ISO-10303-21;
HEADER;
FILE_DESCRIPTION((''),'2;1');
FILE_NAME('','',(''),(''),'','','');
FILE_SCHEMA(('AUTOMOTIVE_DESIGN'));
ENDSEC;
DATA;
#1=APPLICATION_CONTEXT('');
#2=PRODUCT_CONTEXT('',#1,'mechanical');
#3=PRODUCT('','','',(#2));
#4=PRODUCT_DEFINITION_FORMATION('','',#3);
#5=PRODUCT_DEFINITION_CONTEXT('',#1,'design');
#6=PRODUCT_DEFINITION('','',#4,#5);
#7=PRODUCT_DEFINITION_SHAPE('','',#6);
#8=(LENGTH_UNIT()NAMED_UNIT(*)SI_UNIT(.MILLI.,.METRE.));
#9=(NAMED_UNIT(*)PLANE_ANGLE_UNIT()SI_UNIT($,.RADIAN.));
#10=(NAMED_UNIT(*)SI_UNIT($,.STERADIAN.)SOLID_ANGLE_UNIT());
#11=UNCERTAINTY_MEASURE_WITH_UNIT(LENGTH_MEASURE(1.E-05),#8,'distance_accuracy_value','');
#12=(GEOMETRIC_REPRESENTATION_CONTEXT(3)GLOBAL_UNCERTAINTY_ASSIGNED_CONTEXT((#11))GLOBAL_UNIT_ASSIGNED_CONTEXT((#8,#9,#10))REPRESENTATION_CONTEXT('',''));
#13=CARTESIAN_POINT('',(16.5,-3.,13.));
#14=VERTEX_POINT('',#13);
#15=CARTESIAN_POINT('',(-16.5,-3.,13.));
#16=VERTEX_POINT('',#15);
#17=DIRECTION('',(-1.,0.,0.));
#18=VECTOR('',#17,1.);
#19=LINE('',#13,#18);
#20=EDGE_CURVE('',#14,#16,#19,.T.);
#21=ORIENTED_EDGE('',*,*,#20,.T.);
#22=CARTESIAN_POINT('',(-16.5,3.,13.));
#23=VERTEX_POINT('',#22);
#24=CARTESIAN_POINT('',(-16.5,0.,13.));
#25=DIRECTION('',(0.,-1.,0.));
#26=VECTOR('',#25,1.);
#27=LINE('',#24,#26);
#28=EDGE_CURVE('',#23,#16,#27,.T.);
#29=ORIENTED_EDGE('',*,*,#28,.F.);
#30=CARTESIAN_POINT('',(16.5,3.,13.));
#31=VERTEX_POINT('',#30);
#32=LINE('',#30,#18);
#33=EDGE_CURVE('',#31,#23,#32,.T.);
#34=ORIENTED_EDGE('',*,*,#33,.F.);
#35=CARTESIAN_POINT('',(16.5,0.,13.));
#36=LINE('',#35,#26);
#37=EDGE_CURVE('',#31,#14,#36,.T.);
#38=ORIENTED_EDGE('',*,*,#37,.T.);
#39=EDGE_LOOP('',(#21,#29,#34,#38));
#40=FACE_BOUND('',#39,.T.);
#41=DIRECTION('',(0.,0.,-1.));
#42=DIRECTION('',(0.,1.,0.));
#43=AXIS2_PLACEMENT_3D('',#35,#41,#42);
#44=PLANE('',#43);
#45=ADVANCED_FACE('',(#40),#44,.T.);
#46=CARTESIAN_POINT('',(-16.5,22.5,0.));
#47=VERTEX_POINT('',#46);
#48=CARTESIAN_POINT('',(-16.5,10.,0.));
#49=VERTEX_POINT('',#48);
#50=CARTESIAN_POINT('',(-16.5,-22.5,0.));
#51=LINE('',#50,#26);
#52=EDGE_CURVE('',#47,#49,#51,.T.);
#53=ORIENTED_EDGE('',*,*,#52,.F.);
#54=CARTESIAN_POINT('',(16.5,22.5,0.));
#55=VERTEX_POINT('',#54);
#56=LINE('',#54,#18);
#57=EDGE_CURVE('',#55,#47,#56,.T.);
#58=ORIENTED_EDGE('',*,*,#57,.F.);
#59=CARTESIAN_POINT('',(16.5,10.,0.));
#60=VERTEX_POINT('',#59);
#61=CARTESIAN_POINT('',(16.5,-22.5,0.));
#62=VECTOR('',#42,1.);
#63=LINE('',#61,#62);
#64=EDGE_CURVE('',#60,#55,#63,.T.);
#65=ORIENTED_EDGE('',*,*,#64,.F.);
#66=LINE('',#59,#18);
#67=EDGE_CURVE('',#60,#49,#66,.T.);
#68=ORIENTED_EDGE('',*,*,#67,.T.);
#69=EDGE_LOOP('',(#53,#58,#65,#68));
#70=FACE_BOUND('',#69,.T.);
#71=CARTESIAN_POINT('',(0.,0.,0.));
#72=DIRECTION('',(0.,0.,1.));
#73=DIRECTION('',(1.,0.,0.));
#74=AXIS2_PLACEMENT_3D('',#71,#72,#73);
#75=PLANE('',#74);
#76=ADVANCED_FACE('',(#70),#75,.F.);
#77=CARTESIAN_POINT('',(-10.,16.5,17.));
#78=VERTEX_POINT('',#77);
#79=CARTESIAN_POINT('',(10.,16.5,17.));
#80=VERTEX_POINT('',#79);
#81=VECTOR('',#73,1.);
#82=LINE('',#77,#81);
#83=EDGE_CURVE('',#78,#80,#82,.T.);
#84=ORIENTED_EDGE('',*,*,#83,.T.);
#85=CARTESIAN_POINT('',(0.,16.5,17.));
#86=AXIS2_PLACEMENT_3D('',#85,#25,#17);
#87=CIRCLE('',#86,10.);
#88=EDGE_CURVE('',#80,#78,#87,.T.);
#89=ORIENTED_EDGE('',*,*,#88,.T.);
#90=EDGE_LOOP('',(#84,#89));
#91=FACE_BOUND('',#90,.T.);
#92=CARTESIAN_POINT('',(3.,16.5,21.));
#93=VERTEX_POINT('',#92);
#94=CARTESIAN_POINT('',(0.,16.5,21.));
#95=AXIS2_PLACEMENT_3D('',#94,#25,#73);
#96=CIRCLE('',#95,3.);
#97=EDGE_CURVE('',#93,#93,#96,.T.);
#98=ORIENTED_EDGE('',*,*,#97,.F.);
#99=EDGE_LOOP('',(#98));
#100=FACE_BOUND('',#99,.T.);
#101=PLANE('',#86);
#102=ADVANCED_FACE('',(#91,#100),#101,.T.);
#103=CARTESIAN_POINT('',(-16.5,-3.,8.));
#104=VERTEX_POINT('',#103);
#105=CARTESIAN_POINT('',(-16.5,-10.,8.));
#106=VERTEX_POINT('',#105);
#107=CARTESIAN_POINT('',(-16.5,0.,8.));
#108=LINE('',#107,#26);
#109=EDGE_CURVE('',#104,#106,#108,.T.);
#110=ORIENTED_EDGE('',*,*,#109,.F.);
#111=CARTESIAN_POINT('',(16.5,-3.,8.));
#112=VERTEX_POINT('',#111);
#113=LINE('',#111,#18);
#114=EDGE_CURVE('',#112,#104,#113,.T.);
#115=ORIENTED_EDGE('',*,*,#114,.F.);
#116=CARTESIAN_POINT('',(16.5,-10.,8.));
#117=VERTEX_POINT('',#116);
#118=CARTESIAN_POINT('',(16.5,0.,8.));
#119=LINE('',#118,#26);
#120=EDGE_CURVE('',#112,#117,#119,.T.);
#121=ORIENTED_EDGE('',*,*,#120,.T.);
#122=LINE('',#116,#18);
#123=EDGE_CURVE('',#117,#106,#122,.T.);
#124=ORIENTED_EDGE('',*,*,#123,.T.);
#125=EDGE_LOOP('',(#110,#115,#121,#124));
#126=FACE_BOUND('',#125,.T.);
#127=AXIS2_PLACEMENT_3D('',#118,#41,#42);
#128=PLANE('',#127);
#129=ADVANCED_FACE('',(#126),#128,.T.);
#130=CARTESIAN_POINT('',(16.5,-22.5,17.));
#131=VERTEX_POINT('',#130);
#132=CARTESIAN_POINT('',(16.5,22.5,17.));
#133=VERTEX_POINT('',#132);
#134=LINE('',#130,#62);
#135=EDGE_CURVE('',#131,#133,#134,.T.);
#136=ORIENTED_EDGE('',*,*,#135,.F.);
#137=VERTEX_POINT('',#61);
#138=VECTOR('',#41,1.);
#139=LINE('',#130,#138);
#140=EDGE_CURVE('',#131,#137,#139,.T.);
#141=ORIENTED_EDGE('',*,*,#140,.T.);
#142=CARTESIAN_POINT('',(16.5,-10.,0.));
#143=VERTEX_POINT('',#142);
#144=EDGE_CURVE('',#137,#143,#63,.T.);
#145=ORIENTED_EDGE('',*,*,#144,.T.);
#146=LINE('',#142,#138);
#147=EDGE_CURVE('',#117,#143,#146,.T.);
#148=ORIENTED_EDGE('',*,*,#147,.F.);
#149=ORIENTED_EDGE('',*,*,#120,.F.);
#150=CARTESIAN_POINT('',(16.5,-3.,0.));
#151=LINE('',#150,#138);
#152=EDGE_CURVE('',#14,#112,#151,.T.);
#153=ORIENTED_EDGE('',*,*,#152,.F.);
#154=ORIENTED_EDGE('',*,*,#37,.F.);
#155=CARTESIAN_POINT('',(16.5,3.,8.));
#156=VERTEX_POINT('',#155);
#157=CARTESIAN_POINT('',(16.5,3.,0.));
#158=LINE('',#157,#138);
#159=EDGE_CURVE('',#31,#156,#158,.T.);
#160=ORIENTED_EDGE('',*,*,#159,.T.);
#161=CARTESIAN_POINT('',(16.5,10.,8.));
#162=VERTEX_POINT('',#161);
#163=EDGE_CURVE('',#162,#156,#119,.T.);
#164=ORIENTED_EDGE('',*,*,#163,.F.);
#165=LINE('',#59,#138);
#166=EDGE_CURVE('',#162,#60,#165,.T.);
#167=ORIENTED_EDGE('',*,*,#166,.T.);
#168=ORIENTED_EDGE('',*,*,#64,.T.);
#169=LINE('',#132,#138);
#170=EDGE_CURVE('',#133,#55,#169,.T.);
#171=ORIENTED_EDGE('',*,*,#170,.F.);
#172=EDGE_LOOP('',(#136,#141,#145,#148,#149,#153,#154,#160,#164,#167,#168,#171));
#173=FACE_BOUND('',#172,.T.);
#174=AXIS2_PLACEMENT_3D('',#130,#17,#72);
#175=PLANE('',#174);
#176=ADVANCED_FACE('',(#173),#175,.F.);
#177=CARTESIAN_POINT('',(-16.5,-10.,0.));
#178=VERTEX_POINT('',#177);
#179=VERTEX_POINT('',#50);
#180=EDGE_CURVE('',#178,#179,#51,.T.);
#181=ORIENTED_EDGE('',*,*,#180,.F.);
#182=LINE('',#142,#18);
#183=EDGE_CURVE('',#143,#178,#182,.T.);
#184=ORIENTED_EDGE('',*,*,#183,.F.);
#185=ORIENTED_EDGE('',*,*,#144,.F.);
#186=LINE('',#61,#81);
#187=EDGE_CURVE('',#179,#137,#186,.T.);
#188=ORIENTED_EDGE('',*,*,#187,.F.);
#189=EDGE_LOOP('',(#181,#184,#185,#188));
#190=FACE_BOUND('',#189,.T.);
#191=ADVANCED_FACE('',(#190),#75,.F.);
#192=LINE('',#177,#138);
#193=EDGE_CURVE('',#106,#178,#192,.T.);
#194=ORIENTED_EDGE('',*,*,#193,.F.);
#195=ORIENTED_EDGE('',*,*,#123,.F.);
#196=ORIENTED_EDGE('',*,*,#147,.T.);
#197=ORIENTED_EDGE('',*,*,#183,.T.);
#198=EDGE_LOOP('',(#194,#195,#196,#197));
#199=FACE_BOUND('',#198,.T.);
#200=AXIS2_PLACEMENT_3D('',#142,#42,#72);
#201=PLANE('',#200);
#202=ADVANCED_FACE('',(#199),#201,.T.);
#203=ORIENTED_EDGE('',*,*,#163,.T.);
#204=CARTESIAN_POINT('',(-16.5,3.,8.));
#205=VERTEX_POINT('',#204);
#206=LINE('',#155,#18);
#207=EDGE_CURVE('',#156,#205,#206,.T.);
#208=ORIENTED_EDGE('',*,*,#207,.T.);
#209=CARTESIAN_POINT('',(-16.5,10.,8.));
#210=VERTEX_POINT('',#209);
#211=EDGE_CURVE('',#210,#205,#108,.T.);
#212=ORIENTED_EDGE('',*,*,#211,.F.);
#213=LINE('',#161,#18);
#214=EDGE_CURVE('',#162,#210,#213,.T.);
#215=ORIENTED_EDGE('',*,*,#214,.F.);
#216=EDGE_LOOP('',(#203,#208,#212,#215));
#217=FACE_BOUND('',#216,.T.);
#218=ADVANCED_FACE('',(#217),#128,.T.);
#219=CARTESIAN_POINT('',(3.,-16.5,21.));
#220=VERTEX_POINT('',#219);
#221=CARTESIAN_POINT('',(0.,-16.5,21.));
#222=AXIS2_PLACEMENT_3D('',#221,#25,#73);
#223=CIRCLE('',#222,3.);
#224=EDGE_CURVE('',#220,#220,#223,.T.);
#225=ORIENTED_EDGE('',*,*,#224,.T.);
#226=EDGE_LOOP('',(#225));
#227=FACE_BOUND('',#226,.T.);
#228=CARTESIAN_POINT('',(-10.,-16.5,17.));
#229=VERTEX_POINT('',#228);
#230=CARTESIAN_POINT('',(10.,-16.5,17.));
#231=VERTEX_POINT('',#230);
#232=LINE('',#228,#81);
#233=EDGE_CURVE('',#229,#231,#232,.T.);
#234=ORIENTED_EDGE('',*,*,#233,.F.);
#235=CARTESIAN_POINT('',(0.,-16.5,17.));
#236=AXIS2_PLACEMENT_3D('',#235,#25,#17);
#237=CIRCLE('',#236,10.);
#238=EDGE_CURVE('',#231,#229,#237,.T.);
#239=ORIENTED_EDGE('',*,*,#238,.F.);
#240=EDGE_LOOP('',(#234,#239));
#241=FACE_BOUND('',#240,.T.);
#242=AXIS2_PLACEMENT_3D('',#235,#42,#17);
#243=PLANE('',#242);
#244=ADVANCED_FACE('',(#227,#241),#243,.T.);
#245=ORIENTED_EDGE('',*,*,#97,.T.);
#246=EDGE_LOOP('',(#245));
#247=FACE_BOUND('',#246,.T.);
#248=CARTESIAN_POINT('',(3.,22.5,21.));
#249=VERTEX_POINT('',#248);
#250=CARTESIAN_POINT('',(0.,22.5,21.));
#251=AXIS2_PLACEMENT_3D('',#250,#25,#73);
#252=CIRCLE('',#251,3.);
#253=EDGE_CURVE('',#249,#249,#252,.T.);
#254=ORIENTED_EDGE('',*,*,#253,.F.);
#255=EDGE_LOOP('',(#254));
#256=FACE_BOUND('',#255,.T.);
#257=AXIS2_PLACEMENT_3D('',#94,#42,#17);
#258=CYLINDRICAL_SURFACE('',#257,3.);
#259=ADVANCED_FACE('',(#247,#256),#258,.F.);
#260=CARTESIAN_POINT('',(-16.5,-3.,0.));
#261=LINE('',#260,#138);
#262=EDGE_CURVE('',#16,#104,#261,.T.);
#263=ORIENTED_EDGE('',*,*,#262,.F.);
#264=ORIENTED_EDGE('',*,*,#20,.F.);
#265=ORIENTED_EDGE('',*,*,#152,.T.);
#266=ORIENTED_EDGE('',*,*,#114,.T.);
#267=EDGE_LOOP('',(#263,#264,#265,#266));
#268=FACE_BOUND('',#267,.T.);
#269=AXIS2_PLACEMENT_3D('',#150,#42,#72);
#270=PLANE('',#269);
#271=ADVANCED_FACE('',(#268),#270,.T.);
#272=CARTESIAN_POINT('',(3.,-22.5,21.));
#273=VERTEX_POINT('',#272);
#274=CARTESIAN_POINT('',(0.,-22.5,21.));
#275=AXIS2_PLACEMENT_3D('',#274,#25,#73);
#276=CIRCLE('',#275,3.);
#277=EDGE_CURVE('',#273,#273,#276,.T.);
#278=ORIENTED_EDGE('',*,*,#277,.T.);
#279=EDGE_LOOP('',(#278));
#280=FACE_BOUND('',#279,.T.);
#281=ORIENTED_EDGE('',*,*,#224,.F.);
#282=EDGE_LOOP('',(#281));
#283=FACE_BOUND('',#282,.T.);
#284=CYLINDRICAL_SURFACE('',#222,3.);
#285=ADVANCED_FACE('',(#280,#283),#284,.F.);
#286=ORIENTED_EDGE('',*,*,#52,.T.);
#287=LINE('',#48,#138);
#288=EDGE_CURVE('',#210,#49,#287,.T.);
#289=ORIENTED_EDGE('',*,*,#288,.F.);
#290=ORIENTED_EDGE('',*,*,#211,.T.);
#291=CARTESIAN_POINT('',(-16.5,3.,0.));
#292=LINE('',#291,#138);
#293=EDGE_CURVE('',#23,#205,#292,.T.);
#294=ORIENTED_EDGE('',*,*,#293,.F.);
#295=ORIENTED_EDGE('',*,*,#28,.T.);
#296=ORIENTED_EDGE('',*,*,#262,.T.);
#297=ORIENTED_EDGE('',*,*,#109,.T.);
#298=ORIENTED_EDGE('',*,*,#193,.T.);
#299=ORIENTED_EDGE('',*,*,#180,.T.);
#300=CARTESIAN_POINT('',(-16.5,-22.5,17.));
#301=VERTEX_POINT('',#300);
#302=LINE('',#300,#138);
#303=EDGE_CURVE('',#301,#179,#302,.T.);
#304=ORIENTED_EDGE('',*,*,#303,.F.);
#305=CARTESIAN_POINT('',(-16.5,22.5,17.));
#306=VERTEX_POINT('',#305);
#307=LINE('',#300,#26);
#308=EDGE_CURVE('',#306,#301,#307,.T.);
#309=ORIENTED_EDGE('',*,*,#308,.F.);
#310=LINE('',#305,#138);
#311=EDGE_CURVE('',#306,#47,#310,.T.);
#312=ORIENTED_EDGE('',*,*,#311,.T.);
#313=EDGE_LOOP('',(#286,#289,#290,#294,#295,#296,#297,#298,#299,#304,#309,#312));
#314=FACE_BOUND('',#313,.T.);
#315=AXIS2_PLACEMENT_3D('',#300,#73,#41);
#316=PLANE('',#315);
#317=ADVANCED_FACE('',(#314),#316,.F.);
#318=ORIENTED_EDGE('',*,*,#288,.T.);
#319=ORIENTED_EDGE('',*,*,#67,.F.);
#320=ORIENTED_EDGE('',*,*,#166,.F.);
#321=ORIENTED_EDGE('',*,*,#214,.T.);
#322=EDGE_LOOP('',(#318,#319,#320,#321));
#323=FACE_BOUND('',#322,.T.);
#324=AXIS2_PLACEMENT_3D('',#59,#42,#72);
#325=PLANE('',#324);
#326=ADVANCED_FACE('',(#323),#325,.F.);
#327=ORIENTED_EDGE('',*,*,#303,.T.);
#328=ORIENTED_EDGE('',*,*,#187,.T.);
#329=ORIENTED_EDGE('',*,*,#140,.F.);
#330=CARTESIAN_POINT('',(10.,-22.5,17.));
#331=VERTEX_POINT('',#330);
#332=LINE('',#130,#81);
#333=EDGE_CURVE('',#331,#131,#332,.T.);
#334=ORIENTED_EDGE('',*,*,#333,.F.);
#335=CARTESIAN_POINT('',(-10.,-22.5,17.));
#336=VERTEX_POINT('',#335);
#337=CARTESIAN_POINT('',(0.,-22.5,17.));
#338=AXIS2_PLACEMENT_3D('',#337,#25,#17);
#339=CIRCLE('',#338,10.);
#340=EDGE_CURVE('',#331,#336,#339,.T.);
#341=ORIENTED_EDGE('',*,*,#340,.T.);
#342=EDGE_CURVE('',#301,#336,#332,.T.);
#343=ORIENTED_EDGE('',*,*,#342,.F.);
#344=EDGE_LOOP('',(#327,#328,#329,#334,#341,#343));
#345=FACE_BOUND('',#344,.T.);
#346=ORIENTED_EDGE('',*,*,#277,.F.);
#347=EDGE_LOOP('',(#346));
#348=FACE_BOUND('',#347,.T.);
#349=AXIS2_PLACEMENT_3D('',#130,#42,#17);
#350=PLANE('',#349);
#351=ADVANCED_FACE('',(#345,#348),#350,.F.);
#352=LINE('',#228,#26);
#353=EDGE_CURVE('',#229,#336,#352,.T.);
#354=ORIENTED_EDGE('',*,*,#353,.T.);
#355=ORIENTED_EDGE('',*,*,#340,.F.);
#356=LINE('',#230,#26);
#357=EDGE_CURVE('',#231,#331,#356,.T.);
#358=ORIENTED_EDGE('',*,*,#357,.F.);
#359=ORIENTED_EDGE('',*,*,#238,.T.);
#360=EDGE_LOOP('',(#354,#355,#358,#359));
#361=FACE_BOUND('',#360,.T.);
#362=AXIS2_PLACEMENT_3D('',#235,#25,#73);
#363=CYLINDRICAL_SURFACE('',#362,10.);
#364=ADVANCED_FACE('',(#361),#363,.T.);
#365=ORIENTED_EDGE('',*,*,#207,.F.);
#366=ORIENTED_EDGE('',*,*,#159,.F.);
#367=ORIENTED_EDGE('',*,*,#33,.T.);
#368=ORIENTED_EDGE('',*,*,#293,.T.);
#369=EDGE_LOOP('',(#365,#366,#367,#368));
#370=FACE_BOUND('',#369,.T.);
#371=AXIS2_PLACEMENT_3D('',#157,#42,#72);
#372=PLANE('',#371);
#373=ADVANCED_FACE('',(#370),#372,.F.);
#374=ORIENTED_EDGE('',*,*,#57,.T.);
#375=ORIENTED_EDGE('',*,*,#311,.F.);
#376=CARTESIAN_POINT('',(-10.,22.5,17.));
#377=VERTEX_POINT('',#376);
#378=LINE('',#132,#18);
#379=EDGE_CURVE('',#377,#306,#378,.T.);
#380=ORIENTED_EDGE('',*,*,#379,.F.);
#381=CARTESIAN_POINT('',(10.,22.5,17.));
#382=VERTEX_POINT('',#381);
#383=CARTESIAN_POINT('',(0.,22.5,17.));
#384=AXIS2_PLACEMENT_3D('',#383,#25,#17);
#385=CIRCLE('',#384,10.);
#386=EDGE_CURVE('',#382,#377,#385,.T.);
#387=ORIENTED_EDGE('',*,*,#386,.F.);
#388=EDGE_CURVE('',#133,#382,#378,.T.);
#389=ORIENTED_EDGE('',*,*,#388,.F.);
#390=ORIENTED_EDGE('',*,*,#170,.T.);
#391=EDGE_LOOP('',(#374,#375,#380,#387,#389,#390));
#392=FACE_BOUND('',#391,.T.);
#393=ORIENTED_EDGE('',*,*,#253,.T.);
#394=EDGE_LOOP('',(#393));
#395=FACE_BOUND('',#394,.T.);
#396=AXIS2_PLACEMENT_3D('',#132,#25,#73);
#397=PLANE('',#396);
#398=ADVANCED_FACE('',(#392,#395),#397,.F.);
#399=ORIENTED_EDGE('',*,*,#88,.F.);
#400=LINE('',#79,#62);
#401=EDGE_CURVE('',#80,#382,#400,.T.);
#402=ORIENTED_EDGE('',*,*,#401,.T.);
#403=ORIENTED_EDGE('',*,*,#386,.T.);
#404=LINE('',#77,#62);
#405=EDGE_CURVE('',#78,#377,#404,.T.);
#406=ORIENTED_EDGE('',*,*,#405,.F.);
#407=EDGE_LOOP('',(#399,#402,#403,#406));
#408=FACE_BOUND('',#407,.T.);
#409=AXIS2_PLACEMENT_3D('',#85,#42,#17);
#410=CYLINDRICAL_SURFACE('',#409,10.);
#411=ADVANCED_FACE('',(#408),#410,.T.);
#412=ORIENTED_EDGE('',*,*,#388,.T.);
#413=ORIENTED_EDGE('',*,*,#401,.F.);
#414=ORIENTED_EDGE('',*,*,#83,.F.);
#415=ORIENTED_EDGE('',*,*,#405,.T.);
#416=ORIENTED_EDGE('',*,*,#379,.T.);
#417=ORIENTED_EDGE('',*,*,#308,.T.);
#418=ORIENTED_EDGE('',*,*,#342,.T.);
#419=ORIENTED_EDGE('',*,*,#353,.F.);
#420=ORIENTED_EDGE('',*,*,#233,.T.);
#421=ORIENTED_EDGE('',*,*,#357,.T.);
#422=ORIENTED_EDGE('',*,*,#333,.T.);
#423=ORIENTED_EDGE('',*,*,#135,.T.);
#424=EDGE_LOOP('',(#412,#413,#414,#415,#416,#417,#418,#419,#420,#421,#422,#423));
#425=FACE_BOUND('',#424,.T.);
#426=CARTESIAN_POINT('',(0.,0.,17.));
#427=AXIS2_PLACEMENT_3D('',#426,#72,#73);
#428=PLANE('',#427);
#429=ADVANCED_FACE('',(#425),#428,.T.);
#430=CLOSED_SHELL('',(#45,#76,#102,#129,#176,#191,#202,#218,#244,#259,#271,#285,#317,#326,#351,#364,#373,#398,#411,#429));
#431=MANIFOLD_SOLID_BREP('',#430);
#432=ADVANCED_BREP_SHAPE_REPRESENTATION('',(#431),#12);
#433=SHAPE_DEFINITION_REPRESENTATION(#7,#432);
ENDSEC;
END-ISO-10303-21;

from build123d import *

# Parameters (mm, degrees)
SKETCH_1_W          = 33
SKETCH_1_H          = 45
EXTRUDE_1_DEPTH     = 17
SKETCH_2_W          = 5
SKETCH_2_H          = 6
CUT_EXTRUDE_1_DEPTH = 44.407948581
SKETCH_4_R          = 3
EXTRUDE_2_DEPTH     = 6


with BuildPart() as part:
    # Эскиз1 → Бобышка-Вытянуть1 (new body)
    with BuildSketch(Plane.XY):
        Rectangle(SKETCH_1_W, SKETCH_1_H)
    extrude(amount=EXTRUDE_1_DEPTH)

    # Эскиз2 → Вырез-Вытянуть1 (cut, through all)
    with BuildSketch(Plane.ZY.offset(16.5)):
        Polygon((8, 3), (8, 10), (0, 10), (0, -10), (8, -10), (8, -3), align=None)
        with Locations((10.5, 0)):
            Rectangle(SKETCH_2_W, SKETCH_2_H)
    extrude(amount=-CUT_EXTRUDE_1_DEPTH, mode=Mode.SUBTRACT)

    # Эскиз4 → Бобышка-Вытянуть2 (add)
    with BuildSketch(Plane.XZ.offset(22.5)):
        with BuildLine():
            Line((-10, 17), (10, 17))
            ThreePointArc((10, 17), (0, 27), (-10, 17))
        make_face()
        with Locations((0, 21)):
            Circle(SKETCH_4_R, mode=Mode.SUBTRACT)
    extrude_2 = extrude(amount=-EXTRUDE_2_DEPTH)

    # Зеркальное отражение1: Бобышка-Вытянуть2 across plane
    add(extrude_2.mirror(Plane.ZX))


solid = part.part
